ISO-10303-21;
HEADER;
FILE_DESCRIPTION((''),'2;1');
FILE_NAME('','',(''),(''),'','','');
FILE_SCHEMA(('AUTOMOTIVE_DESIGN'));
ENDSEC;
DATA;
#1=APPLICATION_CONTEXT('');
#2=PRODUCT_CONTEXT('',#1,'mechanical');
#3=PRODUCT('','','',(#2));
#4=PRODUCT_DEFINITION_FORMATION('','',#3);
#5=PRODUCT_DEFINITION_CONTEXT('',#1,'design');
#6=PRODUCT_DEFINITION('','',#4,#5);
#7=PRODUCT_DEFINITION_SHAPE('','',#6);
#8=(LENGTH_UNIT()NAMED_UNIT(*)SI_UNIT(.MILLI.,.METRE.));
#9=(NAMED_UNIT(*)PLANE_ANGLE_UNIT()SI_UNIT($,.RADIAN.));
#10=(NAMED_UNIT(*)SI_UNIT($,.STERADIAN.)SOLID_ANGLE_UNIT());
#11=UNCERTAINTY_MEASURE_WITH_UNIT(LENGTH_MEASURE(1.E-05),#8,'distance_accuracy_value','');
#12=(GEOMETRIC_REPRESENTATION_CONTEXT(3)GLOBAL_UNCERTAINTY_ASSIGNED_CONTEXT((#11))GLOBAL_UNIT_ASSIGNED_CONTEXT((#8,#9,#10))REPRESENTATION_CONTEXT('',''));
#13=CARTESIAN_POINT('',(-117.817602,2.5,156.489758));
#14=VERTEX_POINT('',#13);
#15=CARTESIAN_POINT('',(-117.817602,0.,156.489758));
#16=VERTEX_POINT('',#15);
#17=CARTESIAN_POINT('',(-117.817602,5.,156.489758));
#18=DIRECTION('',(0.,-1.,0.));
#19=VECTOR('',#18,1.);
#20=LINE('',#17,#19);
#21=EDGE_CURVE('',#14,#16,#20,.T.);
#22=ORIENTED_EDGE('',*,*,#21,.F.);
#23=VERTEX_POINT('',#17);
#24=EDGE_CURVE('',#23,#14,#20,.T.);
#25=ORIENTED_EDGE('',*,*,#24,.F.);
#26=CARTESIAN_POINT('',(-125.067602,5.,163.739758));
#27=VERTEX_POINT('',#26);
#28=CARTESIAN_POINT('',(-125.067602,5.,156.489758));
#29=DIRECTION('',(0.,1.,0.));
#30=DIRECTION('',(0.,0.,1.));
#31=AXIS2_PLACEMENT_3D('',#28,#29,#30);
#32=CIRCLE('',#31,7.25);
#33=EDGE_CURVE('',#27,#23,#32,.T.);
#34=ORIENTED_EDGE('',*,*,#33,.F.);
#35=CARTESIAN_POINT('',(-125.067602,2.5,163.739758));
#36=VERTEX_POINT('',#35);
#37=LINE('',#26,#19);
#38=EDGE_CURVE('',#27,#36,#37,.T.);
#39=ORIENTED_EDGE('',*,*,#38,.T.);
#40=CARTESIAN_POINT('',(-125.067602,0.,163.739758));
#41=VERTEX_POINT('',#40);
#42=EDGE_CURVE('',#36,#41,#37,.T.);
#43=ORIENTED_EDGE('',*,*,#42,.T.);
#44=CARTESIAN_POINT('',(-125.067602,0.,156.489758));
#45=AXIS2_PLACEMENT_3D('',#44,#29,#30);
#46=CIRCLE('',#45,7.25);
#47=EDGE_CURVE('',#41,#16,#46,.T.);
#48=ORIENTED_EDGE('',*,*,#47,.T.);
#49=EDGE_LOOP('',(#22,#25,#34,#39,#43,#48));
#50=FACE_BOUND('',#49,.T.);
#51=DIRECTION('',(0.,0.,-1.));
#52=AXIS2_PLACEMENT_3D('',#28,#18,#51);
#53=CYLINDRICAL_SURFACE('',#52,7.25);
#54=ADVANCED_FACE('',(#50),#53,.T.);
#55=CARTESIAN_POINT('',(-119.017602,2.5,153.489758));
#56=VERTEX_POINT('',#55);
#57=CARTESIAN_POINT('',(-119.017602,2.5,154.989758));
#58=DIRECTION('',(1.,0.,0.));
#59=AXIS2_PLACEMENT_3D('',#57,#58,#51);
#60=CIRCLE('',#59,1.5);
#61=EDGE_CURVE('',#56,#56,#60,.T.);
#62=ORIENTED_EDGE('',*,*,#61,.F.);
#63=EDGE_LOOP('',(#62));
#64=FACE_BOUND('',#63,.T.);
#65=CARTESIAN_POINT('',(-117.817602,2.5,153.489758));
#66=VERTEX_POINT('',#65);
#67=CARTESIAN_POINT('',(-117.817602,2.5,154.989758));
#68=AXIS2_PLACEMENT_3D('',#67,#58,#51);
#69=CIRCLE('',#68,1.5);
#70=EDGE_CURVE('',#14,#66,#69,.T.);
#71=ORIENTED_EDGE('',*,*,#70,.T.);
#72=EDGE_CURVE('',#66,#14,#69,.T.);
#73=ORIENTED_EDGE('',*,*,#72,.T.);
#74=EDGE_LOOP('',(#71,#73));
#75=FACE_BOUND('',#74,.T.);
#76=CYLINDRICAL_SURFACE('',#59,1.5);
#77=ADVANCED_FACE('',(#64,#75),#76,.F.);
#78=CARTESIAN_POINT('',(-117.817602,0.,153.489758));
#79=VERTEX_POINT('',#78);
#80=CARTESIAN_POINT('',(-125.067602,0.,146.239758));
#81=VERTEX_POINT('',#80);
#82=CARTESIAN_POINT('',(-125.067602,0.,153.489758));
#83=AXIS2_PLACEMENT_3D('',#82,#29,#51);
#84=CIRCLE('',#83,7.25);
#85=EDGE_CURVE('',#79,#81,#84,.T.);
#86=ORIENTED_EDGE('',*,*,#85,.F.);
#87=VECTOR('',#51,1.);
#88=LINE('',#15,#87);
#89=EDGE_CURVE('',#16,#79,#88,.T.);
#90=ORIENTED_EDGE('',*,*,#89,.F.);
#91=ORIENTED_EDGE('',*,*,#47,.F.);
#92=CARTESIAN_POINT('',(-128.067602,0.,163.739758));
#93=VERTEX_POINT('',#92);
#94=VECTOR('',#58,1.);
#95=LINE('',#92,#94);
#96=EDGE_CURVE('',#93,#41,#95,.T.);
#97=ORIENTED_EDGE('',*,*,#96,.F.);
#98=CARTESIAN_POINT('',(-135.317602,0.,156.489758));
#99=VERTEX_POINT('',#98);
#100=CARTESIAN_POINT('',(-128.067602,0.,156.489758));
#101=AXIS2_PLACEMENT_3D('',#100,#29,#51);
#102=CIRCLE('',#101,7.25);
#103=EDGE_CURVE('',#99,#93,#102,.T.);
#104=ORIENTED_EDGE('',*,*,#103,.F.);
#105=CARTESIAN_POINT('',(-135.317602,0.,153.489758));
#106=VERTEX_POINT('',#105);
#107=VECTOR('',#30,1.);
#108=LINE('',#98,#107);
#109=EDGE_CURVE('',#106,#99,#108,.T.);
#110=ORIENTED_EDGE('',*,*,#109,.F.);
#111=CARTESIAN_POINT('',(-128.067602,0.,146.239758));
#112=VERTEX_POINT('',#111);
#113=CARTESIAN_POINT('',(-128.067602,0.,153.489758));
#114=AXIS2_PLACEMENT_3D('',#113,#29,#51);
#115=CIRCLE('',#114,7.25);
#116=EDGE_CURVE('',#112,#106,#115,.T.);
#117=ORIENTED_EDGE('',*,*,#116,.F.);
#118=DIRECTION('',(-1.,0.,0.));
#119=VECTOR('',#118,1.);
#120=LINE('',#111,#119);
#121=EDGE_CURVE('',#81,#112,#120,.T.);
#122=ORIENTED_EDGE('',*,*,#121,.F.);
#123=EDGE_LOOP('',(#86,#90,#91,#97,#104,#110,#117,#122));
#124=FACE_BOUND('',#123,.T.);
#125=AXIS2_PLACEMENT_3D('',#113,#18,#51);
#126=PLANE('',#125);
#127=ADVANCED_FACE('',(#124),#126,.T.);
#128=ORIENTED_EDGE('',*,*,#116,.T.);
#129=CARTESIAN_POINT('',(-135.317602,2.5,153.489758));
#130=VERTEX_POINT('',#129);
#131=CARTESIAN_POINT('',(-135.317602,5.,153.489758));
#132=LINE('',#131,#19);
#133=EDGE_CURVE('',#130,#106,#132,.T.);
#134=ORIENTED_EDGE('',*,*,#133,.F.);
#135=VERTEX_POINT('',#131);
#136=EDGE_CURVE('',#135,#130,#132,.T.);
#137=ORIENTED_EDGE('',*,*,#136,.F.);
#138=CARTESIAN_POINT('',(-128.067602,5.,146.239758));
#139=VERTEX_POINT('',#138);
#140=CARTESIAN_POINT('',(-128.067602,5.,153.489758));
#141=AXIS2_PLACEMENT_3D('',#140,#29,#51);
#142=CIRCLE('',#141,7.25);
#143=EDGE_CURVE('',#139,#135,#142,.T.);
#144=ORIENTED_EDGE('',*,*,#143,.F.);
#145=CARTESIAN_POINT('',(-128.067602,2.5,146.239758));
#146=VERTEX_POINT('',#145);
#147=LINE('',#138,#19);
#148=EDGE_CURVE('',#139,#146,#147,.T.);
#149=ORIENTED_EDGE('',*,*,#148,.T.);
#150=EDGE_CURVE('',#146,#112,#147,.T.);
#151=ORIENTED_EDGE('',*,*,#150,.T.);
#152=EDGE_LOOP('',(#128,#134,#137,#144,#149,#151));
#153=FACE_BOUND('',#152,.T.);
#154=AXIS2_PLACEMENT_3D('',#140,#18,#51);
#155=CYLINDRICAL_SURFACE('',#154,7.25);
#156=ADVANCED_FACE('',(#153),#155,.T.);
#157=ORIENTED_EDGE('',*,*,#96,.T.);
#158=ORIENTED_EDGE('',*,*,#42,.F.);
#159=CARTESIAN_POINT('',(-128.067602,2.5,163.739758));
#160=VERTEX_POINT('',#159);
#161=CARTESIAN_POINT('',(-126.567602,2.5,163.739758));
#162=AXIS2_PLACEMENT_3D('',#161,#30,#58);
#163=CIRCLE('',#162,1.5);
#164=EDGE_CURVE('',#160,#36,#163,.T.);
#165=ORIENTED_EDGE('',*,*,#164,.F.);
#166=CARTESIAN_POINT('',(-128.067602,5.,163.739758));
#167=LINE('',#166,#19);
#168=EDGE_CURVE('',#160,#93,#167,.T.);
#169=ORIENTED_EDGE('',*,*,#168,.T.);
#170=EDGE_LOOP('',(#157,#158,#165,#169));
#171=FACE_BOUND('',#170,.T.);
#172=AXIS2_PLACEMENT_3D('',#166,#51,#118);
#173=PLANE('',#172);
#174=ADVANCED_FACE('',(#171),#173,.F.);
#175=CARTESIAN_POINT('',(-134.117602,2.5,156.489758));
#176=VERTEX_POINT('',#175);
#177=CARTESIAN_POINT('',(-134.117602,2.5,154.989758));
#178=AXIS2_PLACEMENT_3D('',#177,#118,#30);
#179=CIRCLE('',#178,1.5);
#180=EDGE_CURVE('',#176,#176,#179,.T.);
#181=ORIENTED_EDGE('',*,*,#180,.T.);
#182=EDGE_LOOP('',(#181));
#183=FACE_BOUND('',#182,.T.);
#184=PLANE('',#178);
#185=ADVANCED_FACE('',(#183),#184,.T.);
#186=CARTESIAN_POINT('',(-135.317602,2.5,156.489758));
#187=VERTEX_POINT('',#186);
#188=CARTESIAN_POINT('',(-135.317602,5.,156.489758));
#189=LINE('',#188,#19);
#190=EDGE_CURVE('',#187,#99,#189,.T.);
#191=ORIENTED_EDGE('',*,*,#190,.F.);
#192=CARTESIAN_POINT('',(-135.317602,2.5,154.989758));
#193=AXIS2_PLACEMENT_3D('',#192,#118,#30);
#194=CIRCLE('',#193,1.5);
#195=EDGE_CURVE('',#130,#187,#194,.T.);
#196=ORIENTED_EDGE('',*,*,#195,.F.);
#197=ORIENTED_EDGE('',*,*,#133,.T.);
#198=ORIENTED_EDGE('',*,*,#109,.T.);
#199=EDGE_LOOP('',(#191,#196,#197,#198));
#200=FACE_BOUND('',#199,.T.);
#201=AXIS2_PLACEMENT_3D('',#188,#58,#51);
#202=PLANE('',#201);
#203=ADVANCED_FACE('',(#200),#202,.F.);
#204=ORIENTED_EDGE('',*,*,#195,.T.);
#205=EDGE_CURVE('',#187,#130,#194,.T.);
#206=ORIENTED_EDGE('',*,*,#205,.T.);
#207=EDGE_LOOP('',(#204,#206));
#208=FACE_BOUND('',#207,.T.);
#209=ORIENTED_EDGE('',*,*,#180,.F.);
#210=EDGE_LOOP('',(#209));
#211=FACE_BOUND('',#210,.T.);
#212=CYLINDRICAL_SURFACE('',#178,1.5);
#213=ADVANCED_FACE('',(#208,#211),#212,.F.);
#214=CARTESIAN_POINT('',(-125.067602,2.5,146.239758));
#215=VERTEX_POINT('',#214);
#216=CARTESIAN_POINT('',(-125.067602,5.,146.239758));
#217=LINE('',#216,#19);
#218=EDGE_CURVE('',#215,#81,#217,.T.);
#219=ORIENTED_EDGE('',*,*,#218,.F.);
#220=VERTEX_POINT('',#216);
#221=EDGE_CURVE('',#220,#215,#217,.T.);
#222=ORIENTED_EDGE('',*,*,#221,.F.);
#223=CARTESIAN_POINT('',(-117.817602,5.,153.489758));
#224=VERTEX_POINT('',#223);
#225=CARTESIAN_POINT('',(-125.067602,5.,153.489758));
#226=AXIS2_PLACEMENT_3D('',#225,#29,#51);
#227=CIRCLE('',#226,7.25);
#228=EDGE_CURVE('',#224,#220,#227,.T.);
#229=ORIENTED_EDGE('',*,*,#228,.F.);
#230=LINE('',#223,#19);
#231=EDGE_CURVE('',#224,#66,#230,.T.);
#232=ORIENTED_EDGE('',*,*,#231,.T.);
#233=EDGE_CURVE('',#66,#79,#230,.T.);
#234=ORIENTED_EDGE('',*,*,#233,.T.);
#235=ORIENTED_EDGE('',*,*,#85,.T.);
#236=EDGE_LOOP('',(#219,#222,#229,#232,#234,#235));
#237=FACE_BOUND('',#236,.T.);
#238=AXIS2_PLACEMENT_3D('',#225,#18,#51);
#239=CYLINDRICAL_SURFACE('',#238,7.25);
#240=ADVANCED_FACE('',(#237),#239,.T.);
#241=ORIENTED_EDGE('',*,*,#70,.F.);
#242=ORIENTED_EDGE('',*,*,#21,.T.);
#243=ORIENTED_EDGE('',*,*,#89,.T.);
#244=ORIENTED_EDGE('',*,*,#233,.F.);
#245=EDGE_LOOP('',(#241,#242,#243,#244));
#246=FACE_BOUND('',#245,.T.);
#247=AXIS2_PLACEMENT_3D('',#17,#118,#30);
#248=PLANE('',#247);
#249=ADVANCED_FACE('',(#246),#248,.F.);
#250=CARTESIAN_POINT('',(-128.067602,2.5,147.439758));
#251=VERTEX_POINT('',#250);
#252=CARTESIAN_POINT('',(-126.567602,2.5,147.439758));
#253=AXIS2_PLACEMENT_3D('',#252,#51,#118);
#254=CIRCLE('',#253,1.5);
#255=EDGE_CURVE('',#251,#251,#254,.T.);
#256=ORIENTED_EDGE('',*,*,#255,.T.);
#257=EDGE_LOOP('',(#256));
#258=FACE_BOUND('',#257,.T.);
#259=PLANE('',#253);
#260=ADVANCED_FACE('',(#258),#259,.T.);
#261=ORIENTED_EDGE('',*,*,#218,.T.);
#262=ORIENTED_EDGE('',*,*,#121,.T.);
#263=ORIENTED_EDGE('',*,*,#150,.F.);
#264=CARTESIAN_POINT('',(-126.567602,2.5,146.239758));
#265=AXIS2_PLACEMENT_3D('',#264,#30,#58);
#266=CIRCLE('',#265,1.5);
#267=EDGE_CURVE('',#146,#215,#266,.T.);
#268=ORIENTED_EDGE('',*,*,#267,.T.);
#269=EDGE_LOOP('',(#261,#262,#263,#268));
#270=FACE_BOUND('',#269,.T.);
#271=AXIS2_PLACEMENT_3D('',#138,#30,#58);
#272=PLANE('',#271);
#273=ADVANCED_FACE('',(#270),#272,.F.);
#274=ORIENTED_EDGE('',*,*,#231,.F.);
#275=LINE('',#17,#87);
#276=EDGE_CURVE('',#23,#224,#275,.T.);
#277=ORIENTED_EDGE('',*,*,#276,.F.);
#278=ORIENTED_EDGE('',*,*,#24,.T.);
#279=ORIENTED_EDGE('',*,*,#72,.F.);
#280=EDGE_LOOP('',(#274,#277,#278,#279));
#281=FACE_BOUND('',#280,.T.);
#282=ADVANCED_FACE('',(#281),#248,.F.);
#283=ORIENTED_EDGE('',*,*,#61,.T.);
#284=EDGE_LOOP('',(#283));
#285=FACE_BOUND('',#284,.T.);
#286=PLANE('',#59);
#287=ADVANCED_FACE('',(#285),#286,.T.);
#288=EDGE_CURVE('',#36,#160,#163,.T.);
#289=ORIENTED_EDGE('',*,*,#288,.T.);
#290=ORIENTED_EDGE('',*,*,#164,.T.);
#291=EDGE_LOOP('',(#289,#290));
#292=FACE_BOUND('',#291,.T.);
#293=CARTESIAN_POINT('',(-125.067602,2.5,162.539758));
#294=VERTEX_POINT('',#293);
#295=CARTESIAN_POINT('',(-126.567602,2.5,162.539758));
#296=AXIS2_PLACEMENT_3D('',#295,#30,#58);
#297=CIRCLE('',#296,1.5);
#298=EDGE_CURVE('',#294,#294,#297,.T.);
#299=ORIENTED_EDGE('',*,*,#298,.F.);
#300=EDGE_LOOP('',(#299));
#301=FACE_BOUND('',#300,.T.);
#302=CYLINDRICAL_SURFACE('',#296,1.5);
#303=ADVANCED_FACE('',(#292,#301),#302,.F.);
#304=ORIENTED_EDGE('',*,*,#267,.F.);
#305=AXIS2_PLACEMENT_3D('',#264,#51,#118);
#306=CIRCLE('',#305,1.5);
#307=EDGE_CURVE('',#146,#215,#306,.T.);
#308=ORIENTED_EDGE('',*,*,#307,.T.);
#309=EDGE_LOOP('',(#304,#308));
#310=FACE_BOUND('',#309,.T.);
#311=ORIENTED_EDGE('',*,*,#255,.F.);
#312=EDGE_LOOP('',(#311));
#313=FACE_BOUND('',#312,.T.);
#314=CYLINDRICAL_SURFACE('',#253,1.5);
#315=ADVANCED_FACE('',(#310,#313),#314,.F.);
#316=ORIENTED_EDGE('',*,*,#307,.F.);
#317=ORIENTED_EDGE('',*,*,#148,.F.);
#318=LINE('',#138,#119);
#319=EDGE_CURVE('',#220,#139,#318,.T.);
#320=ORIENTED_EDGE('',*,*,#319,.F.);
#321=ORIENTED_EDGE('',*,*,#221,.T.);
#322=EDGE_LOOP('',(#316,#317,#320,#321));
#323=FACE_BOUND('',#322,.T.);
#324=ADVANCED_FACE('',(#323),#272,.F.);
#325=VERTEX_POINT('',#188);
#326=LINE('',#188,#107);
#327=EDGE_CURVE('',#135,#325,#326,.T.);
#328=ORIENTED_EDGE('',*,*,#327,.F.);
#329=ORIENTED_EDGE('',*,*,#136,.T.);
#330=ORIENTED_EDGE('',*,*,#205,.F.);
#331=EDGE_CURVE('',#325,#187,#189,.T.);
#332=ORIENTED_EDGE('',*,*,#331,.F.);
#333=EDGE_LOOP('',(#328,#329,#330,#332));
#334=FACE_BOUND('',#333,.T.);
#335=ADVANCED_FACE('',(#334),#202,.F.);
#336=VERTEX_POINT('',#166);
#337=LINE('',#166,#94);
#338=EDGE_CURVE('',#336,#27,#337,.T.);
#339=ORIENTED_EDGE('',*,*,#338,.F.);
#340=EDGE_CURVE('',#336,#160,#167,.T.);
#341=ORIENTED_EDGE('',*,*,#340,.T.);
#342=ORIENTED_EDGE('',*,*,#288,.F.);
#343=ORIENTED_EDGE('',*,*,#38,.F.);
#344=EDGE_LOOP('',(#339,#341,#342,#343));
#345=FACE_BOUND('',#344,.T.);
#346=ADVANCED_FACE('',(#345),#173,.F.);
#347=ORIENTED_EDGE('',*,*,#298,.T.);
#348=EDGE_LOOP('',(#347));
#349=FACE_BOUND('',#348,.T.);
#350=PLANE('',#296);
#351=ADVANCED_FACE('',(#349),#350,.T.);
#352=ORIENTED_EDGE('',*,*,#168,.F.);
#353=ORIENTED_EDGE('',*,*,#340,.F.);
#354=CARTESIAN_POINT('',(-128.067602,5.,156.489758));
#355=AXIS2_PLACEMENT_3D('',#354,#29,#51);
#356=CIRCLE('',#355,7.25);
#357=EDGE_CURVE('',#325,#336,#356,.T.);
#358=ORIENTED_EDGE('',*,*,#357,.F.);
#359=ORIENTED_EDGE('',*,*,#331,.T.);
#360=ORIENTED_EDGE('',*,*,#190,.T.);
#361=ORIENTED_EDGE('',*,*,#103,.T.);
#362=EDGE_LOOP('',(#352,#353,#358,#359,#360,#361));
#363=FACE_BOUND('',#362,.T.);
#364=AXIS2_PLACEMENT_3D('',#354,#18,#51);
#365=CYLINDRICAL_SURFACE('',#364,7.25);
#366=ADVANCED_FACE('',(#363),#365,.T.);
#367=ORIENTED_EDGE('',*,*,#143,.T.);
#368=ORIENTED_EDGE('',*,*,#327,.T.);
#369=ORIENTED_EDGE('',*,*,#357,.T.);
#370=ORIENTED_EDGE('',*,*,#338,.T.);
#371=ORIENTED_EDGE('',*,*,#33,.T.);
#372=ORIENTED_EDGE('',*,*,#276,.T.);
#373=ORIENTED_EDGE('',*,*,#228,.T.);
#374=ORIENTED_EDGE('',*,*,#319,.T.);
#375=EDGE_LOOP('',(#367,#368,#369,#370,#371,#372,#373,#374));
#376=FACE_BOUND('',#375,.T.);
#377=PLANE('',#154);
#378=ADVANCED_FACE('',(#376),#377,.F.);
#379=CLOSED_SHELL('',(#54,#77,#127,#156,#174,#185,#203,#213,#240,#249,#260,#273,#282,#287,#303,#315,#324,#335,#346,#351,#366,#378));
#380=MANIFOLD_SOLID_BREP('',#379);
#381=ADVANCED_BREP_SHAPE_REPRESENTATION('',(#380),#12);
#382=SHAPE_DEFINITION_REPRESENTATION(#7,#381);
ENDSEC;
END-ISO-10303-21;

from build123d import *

# Parameters (mm, degrees)
BOSS_EXTRUDE3_DEPTH = 5
SKETCH3_R           = 1.5
CUT_EXTRUDE1_DEPTH  = 1.2
SKETCH4_R           = 1.5
CUT_EXTRUDE2_DEPTH  = 1.2
SKETCH5_R           = 1.5
CUT_EXTRUDE3_DEPTH  = 1.2
SKETCH6_R           = 1.5
CUT_EXTRUDE4_DEPTH  = 1.2


with BuildPart() as part:
    # Sketch1 → Boss-Extrude3 (new body)
    with BuildSketch(Plane(origin=(0, 0, 0), x_dir=(1, 0, 0), z_dir=(0, 1, 0))):
        with BuildLine():
            Line((-128.067602034, -163.739757522), (-125.067602034, -163.739757522))
            ThreePointArc((-125.067602034, -163.739757522), (-119.94107787, -161.616281686), (-117.817602034, -156.489757522))
            Line((-117.817602034, -156.489757522), (-117.817602034, -153.489757522))
            ThreePointArc((-117.817602034, -153.489757522), (-119.94107787, -148.363233359), (-125.067602034, -146.239757522))
            Line((-125.067602034, -146.239757522), (-128.067602034, -146.239757522))
            ThreePointArc((-128.067602034, -146.239757522), (-133.194126197, -148.363233359), (-135.317602034, -153.489757522))
            Line((-135.317602034, -153.489757522), (-135.317602034, -156.489757522))
            ThreePointArc((-135.317602034, -156.489757522), (-133.194126197, -161.616281686), (-128.067602034, -163.739757522))
        make_face()
    extrude(amount=BOSS_EXTRUDE3_DEPTH)

    # Sketch3 → Cut-Extrude1 (cut)
    with BuildSketch(Plane(origin=(0, 0, 146.239757522), x_dir=(-1, 0, 0), z_dir=(0, 0, -1))):
        with Locations((126.567602034, 2.5)):
            Circle(SKETCH3_R)
    extrude(amount=-CUT_EXTRUDE1_DEPTH, mode=Mode.SUBTRACT)

    # Sketch4 → Cut-Extrude2 (cut)
    with BuildSketch(Plane(origin=(-117.817602034, 0, 0), x_dir=(0, 0, -1), z_dir=(1, 0, 0))):
        with Locations((-154.989757522, 2.5)):
            Circle(SKETCH4_R)
    extrude(amount=-CUT_EXTRUDE2_DEPTH, mode=Mode.SUBTRACT)

    # Sketch5 → Cut-Extrude3 (cut)
    with BuildSketch(Plane.ZY.offset(135.317602034)):
        with Locations((154.989757522, 2.5)):
            Circle(SKETCH5_R)
    extrude(amount=-CUT_EXTRUDE3_DEPTH, mode=Mode.SUBTRACT)

    # Sketch6 → Cut-Extrude4 (cut)
    with BuildSketch(Plane.XY.offset(163.739757522)):
        with Locations((-126.567602034, 2.5)):
            Circle(SKETCH6_R)
    extrude(amount=-CUT_EXTRUDE4_DEPTH, mode=Mode.SUBTRACT)


solid = part.part
